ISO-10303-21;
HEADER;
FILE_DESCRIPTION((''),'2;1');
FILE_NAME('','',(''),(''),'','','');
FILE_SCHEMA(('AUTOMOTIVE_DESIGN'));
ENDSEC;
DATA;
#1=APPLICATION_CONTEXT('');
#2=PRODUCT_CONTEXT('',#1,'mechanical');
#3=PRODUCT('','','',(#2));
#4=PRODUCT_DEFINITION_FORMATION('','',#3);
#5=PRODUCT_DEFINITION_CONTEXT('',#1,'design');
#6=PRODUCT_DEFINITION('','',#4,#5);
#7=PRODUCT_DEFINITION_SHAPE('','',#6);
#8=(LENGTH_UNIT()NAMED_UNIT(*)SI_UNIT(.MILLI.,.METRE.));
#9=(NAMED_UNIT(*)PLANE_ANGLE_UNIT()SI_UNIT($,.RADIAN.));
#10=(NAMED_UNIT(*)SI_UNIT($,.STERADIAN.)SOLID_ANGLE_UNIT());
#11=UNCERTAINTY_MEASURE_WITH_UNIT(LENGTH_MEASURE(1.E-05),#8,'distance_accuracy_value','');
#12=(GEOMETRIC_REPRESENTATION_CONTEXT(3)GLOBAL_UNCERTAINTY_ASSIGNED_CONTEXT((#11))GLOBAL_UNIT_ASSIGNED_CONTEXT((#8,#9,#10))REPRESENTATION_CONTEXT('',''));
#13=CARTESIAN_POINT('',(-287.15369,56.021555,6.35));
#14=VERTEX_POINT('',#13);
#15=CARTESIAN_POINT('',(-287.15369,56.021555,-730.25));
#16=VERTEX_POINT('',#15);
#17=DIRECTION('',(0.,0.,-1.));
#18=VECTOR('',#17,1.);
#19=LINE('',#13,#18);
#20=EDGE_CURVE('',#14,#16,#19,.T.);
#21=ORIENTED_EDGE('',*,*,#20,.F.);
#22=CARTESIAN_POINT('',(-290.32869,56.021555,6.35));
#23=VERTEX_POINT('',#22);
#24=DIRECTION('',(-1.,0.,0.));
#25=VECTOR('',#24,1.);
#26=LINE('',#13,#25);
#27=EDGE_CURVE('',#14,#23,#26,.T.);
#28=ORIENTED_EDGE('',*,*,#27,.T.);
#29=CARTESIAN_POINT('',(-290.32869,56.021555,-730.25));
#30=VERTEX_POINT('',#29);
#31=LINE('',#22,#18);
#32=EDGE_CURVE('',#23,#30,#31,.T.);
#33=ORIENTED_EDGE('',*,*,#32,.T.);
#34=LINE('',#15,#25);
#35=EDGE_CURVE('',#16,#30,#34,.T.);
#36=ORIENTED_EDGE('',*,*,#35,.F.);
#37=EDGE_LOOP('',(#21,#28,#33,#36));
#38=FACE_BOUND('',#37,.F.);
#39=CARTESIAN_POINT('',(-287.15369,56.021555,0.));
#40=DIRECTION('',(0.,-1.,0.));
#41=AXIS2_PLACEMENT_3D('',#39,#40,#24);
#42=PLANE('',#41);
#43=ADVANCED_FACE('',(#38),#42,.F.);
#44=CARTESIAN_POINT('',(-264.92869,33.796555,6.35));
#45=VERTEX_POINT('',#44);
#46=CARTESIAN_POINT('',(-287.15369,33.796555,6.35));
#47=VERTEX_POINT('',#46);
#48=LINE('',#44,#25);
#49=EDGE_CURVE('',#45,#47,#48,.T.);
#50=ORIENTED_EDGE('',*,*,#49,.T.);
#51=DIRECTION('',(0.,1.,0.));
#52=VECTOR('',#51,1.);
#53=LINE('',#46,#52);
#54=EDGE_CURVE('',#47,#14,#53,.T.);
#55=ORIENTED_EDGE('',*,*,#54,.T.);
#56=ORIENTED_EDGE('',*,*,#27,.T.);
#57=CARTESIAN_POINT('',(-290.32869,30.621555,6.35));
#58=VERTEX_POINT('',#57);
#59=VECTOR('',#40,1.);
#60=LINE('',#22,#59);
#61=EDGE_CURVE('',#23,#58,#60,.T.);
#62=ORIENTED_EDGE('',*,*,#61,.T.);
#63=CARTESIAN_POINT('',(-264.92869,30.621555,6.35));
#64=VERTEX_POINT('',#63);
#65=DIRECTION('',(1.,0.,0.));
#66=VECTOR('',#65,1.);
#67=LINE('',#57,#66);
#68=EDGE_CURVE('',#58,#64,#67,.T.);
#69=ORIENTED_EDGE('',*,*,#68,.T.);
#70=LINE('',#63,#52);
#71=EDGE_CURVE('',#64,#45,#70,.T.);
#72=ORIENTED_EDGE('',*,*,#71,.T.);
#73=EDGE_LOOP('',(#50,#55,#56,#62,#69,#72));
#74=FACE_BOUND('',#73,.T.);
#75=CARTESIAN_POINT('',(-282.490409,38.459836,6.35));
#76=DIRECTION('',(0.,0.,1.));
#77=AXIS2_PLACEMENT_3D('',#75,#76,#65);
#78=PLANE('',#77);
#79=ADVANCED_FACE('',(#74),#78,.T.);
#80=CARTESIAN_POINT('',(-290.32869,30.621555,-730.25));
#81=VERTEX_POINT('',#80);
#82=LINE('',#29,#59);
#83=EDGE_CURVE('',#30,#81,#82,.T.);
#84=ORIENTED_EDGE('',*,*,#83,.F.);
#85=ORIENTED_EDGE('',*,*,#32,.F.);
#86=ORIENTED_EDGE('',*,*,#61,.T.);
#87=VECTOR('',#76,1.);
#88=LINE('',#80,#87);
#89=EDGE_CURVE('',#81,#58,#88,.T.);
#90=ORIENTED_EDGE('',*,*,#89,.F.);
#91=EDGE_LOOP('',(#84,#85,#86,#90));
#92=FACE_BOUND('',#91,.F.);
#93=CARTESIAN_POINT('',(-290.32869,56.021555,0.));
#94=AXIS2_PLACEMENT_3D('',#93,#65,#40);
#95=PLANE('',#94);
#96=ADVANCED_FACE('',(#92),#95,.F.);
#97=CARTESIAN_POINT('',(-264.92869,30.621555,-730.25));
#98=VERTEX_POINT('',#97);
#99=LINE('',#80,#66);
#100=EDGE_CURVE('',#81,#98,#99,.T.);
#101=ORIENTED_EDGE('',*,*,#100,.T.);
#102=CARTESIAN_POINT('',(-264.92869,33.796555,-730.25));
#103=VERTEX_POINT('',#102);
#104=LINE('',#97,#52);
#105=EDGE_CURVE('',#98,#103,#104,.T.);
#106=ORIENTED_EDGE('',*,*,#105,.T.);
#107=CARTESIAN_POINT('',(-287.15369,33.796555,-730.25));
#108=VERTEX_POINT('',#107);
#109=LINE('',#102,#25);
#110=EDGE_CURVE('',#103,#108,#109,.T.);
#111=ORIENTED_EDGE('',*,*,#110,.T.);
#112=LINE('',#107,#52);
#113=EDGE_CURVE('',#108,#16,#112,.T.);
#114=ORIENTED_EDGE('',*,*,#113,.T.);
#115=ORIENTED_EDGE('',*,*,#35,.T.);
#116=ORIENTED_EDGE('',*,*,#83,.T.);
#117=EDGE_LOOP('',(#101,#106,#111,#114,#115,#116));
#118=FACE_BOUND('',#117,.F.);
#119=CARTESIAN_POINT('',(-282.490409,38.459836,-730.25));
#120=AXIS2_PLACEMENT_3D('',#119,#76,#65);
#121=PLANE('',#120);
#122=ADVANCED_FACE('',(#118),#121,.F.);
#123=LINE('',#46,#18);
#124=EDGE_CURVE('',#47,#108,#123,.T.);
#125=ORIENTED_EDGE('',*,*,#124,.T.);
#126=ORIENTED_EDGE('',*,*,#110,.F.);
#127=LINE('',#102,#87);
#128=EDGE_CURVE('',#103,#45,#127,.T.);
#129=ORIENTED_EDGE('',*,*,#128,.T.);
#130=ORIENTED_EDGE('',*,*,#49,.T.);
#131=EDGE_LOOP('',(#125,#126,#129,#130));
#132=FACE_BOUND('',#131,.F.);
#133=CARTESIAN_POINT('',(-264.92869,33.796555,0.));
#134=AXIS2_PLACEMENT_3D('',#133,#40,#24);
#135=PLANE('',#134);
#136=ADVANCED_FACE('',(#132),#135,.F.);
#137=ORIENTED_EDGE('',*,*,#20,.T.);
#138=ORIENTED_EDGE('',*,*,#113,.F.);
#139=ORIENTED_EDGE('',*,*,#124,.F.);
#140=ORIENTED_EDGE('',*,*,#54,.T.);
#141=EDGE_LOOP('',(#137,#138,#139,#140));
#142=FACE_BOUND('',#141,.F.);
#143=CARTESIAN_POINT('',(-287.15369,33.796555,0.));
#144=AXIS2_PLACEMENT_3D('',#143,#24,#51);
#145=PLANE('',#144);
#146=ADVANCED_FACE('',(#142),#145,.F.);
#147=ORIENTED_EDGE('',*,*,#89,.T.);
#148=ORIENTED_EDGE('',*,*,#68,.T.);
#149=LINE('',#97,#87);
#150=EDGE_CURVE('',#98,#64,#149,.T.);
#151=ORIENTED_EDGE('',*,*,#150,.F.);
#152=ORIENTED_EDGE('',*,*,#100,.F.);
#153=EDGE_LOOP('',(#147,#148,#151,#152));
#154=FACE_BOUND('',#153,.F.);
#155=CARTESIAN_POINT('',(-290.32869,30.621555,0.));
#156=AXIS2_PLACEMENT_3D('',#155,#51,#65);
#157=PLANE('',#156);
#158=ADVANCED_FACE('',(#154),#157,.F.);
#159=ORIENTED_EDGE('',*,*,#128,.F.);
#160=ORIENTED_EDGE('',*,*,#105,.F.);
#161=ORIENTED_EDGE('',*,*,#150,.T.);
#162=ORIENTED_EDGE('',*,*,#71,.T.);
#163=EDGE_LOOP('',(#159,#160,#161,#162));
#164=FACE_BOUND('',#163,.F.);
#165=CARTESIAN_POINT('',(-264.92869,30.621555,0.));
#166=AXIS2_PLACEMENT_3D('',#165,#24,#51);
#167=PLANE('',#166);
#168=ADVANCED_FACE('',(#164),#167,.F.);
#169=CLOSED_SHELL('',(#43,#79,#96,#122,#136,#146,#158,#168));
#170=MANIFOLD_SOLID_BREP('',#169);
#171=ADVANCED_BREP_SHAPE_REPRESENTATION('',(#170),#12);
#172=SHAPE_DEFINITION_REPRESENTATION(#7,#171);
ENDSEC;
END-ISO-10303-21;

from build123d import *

# Parameters (mm, degrees)
F1_DEPTH = 730.25
F2_DEPTH = 6.35


with BuildPart() as f1:
    # F0 (on Top) → F1 (new body)
    with BuildSketch(Plane.XY):
        Polygon((-290.32869, 56.021555), (-290.32869, 30.621555), (-264.92869, 30.621555), (-264.92869, 33.796555), (-287.15369, 33.796555), (-287.15369, 56.021555), align=None)
    extrude(amount=-F1_DEPTH)

    # F1_face (on face) → F2 (join)
    with BuildSketch(Plane(origin=(-282.814523, 38.135722, 0), x_dir=(1, 0, 0), z_dir=(0, 0, 1))):
        Polygon((-7.514167, 17.885833), (-7.514167, -7.514167), (17.885833, -7.514167), (17.885833, -4.339167), (-4.339167, -4.339167), (-4.339167, 17.885833), align=None)
    extrude(amount=F2_DEPTH)


solid = f1.part
